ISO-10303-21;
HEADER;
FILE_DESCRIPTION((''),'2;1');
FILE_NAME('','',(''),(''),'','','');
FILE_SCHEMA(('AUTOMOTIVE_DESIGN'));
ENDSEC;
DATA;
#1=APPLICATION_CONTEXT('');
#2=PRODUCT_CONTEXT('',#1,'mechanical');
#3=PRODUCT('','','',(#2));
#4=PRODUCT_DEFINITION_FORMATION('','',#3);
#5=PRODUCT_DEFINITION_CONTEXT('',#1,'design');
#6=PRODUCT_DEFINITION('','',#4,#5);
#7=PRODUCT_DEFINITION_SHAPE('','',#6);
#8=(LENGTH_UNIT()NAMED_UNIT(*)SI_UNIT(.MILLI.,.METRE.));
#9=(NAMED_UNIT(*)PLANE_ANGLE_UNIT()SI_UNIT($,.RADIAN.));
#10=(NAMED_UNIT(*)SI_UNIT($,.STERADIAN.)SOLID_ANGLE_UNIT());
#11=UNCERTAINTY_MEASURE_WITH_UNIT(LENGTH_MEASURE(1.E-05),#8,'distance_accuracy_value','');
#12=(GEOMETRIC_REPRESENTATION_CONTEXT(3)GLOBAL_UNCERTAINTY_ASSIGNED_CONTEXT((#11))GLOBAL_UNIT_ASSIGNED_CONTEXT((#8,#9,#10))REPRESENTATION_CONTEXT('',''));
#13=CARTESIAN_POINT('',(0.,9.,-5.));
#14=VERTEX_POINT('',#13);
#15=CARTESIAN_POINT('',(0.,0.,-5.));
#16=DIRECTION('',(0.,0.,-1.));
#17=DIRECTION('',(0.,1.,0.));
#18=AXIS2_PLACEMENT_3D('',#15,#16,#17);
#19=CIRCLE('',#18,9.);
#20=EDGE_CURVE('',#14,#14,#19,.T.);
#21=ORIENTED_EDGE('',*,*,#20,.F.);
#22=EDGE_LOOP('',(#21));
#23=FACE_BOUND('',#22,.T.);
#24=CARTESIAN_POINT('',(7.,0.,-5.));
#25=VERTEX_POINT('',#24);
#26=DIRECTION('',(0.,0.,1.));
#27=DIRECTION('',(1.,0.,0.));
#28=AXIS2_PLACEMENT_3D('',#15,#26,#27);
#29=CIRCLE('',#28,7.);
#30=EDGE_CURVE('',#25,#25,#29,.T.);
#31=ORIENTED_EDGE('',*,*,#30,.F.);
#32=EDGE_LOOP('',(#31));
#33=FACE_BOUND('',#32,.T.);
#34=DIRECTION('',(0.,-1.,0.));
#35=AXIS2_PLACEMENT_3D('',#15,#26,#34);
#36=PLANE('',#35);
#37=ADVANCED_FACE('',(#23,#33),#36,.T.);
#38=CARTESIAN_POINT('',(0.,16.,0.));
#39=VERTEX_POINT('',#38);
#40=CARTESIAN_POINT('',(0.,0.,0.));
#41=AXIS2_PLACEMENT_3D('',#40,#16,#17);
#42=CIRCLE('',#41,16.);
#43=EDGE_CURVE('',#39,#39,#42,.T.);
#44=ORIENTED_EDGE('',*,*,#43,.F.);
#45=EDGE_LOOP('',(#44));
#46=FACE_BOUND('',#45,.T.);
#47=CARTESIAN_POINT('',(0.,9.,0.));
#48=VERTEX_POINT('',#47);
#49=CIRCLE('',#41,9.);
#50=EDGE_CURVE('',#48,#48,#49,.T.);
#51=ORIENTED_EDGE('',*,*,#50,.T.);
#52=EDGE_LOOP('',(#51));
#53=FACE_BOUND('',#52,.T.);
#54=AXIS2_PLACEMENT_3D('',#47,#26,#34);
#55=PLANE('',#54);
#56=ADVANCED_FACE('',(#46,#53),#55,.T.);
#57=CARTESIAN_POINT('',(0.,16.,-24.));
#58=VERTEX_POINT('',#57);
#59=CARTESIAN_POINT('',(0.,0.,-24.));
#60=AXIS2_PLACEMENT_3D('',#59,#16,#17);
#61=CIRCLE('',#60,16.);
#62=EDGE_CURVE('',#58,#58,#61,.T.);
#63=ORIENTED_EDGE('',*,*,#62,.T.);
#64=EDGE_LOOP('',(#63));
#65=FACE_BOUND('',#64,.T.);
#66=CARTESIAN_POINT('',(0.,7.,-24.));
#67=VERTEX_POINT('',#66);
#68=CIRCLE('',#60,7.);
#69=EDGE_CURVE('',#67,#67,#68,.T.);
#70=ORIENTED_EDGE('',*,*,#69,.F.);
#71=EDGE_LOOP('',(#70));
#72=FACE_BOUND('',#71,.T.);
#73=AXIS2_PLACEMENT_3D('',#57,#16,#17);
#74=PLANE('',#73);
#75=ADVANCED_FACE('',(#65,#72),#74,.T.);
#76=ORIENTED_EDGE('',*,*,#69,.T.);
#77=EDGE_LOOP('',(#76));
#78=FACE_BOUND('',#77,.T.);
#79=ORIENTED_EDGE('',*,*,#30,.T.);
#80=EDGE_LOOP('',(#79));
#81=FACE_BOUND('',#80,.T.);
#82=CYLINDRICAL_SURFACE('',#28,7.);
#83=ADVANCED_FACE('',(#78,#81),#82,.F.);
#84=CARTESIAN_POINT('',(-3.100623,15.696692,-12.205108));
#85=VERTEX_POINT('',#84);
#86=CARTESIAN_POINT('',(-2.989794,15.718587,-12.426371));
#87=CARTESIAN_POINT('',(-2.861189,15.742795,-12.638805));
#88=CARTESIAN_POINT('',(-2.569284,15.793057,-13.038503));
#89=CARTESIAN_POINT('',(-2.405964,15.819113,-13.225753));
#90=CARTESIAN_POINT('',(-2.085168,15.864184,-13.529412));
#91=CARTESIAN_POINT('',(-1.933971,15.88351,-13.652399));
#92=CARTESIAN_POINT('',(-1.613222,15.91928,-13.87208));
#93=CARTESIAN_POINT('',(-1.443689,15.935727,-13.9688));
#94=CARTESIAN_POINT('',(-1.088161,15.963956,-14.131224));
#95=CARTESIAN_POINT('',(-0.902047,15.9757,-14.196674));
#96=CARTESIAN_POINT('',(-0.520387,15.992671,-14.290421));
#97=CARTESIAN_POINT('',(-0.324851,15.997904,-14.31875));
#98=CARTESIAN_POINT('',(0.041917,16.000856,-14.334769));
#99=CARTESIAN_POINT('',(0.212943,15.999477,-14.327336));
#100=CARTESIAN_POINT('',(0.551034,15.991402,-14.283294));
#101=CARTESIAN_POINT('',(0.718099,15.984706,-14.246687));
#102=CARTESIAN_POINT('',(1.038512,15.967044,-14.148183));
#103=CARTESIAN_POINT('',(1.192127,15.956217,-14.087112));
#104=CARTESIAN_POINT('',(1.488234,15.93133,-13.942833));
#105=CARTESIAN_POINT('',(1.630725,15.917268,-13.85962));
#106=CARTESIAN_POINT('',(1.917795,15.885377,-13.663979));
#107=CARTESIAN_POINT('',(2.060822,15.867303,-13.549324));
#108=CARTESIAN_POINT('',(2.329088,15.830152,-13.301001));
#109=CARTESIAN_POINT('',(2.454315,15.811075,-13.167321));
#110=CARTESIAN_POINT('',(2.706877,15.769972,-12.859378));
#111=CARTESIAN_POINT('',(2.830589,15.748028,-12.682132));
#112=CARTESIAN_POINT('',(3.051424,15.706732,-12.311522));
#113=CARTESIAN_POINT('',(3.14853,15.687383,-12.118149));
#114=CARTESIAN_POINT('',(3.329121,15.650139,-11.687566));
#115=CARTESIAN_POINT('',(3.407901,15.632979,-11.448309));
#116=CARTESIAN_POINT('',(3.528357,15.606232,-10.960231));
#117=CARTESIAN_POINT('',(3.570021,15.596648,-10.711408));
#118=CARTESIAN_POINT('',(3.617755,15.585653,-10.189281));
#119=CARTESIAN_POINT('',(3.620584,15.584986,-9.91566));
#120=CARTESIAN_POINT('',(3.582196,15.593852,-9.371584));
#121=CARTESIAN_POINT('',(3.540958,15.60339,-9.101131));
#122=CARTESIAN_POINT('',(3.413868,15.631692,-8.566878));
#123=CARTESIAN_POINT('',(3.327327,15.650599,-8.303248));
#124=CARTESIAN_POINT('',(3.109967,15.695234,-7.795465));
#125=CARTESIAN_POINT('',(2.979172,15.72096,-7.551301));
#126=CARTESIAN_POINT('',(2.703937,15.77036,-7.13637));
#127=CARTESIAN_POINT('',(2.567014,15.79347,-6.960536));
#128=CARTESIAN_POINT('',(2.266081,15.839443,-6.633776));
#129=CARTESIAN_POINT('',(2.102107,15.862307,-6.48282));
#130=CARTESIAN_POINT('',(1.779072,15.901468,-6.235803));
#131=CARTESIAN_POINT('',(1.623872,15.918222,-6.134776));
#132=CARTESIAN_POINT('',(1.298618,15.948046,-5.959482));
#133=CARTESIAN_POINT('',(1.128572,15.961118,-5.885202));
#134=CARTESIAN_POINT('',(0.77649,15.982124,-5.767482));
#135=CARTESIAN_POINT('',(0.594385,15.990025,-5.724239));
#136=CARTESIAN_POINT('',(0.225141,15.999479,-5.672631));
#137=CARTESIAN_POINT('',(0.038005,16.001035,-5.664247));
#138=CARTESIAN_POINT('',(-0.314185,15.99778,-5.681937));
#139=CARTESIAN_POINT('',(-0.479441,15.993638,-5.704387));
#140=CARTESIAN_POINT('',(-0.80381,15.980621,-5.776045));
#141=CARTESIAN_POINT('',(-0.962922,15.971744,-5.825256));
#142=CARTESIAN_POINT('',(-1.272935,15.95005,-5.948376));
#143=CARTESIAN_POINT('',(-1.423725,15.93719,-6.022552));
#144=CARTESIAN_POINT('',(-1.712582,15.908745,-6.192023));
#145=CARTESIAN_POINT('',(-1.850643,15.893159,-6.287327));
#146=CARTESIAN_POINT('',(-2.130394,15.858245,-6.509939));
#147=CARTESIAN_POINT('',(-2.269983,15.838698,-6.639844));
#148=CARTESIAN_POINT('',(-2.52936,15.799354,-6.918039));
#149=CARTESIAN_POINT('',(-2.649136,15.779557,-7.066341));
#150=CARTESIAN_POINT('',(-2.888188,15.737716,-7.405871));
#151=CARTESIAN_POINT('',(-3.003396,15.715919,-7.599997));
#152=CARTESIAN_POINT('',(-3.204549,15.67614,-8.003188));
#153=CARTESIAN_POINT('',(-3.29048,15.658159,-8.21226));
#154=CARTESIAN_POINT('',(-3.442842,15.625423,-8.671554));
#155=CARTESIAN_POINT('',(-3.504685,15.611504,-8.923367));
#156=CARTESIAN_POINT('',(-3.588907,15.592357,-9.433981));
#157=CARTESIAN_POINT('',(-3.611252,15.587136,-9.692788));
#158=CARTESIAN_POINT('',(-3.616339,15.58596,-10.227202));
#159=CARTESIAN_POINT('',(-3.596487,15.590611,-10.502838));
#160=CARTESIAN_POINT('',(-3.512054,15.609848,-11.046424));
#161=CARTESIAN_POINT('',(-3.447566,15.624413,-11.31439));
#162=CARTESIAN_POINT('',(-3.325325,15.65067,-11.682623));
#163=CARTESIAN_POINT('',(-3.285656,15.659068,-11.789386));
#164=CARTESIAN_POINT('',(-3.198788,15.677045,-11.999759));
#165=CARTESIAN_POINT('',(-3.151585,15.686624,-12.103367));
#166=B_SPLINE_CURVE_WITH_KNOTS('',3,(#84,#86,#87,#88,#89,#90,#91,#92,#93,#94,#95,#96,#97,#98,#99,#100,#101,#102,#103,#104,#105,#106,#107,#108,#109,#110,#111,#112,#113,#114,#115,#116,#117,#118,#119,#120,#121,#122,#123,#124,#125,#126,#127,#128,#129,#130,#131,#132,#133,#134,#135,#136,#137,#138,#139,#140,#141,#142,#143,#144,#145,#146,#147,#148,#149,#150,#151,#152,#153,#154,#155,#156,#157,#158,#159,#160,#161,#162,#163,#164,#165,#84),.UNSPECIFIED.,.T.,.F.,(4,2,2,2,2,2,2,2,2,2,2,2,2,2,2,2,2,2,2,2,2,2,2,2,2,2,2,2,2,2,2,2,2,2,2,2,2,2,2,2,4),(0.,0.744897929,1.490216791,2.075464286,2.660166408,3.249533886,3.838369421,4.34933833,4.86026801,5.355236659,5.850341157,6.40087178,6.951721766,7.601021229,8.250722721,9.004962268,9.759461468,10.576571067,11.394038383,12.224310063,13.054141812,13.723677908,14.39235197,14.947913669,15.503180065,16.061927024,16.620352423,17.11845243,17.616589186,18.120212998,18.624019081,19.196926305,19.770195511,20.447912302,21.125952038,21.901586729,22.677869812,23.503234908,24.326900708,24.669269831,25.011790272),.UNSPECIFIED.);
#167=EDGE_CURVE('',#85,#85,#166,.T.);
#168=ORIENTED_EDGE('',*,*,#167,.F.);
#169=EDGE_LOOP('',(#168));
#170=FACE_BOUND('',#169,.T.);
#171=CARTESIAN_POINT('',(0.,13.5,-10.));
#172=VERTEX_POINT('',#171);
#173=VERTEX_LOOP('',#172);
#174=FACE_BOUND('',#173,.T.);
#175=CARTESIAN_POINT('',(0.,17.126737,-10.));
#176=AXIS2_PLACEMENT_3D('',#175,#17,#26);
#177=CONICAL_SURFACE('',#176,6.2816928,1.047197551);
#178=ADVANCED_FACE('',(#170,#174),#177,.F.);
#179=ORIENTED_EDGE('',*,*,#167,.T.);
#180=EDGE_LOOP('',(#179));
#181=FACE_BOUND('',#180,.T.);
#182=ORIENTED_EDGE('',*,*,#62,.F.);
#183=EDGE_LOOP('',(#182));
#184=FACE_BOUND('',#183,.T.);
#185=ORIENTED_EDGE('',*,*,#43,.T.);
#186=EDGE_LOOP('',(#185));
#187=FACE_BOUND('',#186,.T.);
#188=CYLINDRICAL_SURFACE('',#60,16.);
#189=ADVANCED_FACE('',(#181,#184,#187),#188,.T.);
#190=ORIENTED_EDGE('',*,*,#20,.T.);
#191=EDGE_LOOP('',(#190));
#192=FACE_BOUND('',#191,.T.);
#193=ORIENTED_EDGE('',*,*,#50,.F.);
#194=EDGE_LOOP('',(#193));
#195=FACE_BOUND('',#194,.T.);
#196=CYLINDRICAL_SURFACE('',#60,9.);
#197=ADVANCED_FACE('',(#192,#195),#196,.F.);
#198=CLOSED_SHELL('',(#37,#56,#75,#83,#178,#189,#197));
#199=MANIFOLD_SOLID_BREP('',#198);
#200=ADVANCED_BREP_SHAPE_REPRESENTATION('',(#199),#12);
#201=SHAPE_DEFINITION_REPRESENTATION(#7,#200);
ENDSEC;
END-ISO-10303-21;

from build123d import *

# Parameters (mm, degrees)
HOLE_WIZARD_M16_1_D = 14


with BuildPart() as part:
    # 草圖1 → 旋轉1 (revolve)
    with BuildSketch(Plane(origin=(0, 0, 0), x_dir=(0, 0, -1), z_dir=(1, 0, 0))):
        Polygon((5, 0), (5, 9), (0, 9), (0, 16), (24, 16), (24, 0), align=None)
    revolve(axis=Axis((0, 0, -24), (0, 0, 1)))

    # 草圖2 → 除料-旋轉1 (revolve, cut)
    with BuildSketch(Plane(origin=(0, 0, 0), x_dir=(0, 0, -1), z_dir=(1, 0, 0))):
        Polygon((3.7183072, 19.324474935), (10, 19.324474935), (10, 13.5), (3.7183072, 17.126737029), align=None)
    revolve(axis=Axis((0, 11.187716982, -10), (0, 1, 0)), mode=Mode.SUBTRACT)

    # M16 螺紋孔1 (through all)
    with Locations(Plane.XY.offset(-5)):
        with Locations((0, 0)):
            Hole(HOLE_WIZARD_M16_1_D / 2)


solid = part.part
